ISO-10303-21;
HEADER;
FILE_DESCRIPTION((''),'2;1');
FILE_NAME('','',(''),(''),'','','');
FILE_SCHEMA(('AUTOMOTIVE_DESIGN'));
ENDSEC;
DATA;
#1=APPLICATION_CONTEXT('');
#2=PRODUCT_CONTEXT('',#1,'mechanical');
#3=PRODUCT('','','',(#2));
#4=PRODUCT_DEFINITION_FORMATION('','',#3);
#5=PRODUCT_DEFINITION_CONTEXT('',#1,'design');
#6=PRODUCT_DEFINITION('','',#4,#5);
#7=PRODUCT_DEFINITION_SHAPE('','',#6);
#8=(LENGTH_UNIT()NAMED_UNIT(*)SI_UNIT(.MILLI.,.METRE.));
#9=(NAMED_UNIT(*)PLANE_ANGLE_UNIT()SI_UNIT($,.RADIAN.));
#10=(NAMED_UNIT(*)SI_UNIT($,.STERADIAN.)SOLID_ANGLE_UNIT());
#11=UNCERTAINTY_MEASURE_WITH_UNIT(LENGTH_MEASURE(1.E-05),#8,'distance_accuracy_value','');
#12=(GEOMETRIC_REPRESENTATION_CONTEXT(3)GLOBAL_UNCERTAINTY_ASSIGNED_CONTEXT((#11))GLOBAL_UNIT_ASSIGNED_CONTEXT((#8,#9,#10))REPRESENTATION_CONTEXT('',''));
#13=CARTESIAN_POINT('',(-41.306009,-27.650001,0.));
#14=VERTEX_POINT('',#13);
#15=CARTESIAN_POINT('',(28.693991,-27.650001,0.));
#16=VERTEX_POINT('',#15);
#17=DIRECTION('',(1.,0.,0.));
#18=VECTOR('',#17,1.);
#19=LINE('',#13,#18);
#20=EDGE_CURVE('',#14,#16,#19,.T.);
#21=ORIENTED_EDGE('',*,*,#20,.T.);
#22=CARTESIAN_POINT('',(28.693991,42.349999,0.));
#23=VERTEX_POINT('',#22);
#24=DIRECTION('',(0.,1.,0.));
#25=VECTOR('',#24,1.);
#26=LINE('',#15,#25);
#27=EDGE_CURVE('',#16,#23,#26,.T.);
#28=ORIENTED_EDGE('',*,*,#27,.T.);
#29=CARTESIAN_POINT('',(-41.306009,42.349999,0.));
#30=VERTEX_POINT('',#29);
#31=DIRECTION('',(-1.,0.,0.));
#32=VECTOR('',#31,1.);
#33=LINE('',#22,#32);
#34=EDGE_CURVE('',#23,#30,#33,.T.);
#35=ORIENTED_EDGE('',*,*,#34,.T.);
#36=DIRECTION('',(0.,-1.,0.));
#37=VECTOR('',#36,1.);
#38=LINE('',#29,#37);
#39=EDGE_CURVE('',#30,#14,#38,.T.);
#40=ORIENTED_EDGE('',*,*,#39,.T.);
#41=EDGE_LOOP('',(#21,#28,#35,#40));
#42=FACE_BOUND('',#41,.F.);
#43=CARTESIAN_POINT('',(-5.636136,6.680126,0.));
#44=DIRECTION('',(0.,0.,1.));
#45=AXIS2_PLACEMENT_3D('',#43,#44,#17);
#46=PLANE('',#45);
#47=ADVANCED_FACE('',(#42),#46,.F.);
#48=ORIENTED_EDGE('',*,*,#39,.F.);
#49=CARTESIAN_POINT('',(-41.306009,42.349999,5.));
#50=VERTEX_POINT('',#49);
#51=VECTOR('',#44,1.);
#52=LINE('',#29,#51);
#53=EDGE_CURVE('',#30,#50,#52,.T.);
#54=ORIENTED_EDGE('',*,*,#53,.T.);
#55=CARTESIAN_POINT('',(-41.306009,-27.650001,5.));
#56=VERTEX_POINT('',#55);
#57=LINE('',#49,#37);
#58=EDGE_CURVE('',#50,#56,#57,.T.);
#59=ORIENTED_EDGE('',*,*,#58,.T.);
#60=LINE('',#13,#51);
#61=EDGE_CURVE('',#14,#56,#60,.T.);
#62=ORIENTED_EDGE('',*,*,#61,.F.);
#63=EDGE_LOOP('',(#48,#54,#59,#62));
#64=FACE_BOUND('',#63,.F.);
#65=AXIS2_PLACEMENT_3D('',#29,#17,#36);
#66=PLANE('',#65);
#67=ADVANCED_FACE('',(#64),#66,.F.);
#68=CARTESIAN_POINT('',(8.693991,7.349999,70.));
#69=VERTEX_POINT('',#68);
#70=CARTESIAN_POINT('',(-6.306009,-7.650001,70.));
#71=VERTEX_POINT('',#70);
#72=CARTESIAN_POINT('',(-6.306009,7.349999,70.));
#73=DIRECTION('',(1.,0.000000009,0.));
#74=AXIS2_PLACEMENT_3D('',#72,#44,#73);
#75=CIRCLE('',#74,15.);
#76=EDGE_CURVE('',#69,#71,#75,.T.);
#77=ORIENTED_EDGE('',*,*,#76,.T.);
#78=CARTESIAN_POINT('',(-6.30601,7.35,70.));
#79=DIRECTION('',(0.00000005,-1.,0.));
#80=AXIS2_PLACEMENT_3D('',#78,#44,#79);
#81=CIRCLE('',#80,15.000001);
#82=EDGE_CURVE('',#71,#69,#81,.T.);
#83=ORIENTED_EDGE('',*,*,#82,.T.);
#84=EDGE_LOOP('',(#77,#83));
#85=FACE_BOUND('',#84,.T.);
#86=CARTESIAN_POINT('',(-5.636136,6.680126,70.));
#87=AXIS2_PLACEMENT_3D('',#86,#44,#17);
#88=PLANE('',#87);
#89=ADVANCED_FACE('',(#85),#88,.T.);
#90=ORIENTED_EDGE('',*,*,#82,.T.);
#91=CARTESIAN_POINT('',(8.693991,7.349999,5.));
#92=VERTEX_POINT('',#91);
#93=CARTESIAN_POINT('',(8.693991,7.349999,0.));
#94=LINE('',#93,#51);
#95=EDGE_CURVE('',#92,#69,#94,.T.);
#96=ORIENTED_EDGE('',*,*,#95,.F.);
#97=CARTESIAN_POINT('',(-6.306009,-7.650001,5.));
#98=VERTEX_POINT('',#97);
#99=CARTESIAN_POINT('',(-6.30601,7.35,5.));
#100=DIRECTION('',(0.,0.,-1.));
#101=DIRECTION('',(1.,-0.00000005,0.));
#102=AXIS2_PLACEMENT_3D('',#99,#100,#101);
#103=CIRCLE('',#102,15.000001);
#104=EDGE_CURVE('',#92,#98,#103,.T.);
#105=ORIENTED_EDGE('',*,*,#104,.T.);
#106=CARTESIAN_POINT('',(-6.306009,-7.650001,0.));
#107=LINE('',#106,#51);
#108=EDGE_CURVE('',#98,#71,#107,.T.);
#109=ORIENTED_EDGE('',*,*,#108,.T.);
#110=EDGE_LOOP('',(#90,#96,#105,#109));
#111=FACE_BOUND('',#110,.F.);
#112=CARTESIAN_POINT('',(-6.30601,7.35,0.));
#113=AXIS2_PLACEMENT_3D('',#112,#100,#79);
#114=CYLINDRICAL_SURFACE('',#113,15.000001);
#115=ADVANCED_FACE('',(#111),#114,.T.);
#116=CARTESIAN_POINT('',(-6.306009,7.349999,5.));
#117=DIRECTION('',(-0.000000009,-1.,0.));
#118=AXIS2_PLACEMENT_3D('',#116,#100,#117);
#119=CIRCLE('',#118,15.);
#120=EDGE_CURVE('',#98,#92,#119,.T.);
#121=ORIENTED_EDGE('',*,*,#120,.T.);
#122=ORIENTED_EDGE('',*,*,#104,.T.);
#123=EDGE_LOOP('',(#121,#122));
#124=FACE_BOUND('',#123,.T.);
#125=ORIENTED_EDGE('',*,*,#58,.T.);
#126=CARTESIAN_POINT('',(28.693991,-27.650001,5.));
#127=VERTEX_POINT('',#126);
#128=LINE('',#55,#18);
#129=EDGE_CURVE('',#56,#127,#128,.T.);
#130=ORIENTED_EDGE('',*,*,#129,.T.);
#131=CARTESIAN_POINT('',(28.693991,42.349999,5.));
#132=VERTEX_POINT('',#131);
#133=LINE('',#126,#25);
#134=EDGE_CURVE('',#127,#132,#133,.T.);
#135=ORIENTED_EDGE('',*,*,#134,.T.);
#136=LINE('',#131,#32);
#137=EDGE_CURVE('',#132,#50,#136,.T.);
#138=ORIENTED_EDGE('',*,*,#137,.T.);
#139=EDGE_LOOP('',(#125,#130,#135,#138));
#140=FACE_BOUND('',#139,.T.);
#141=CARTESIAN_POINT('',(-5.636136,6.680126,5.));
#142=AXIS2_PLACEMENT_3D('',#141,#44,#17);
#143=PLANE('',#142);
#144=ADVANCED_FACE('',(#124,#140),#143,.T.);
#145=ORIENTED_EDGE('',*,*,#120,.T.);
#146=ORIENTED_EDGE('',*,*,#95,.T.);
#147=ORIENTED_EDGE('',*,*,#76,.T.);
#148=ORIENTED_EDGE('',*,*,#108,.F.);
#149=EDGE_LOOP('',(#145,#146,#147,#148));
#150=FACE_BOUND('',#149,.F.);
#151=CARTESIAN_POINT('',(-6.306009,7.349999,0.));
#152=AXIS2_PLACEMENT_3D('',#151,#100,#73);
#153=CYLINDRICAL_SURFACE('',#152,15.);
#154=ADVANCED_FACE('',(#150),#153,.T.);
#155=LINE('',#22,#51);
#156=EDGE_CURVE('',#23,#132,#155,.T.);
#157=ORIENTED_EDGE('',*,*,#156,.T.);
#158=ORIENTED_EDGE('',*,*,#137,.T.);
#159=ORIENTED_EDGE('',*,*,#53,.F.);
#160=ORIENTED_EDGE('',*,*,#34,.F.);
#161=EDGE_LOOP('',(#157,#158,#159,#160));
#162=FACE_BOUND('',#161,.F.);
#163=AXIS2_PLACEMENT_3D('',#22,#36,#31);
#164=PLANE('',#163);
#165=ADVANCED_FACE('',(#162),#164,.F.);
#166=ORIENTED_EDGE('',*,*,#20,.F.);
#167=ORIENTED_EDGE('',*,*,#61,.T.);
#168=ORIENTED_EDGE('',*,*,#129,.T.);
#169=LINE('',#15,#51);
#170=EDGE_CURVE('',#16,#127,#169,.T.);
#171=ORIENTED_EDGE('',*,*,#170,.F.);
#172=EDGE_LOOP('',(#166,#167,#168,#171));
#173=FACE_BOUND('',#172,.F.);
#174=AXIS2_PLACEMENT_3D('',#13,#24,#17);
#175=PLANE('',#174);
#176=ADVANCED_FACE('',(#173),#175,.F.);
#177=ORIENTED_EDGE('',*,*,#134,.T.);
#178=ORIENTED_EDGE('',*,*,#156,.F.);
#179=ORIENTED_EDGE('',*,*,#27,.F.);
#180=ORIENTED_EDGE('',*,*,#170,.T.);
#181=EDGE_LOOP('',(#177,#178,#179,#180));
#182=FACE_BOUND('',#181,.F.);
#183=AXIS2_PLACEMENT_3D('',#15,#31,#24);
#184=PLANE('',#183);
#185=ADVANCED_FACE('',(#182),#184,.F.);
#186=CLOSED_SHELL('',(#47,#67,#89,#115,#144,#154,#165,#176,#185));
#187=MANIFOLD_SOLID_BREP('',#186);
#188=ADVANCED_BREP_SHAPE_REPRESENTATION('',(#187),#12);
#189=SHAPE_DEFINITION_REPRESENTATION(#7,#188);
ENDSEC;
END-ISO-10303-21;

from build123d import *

# Parameters (mm, degrees)
F1_DEPTH = 5
F2_DEPTH = 70


with BuildPart() as f1:
    # F0 (on Top) → F1 (new body)
    with BuildSketch(Plane.XY):
        with BuildLine():
            ThreePointArc((8.693991, 7.349999), (-16.91261, 17.956601), (-6.306009, -7.650001))
            ThreePointArc((-6.306009, -7.650001), (4.300593, -3.256602), (8.693991, 7.349999))
        make_face()
        Polygon((-41.306009, 42.349999), (-41.306009, -27.650001), (-6.306009, -27.650001), (28.693991, -27.650001), (28.693991, 42.349999), align=None)
        with BuildLine():
            ThreePointArc((8.693991, 7.349999), (4.300593, -3.256602), (-6.306009, -7.650001))
            ThreePointArc((-6.306009, -7.650001), (-16.91261, 17.956601), (8.693991, 7.349999))
        make_face(mode=Mode.SUBTRACT)
    extrude(amount=F1_DEPTH)

    # F0 (on Top) → F2 (join)
    with BuildSketch(Plane.XY):
        with BuildLine():
            ThreePointArc((8.693991, 7.349999), (-16.91261, 17.956601), (-6.306009, -7.650001))
            ThreePointArc((-6.306009, -7.650001), (4.300593, -3.256602), (8.693991, 7.349999))
        make_face()
    extrude(amount=F2_DEPTH)


solid = f1.part
